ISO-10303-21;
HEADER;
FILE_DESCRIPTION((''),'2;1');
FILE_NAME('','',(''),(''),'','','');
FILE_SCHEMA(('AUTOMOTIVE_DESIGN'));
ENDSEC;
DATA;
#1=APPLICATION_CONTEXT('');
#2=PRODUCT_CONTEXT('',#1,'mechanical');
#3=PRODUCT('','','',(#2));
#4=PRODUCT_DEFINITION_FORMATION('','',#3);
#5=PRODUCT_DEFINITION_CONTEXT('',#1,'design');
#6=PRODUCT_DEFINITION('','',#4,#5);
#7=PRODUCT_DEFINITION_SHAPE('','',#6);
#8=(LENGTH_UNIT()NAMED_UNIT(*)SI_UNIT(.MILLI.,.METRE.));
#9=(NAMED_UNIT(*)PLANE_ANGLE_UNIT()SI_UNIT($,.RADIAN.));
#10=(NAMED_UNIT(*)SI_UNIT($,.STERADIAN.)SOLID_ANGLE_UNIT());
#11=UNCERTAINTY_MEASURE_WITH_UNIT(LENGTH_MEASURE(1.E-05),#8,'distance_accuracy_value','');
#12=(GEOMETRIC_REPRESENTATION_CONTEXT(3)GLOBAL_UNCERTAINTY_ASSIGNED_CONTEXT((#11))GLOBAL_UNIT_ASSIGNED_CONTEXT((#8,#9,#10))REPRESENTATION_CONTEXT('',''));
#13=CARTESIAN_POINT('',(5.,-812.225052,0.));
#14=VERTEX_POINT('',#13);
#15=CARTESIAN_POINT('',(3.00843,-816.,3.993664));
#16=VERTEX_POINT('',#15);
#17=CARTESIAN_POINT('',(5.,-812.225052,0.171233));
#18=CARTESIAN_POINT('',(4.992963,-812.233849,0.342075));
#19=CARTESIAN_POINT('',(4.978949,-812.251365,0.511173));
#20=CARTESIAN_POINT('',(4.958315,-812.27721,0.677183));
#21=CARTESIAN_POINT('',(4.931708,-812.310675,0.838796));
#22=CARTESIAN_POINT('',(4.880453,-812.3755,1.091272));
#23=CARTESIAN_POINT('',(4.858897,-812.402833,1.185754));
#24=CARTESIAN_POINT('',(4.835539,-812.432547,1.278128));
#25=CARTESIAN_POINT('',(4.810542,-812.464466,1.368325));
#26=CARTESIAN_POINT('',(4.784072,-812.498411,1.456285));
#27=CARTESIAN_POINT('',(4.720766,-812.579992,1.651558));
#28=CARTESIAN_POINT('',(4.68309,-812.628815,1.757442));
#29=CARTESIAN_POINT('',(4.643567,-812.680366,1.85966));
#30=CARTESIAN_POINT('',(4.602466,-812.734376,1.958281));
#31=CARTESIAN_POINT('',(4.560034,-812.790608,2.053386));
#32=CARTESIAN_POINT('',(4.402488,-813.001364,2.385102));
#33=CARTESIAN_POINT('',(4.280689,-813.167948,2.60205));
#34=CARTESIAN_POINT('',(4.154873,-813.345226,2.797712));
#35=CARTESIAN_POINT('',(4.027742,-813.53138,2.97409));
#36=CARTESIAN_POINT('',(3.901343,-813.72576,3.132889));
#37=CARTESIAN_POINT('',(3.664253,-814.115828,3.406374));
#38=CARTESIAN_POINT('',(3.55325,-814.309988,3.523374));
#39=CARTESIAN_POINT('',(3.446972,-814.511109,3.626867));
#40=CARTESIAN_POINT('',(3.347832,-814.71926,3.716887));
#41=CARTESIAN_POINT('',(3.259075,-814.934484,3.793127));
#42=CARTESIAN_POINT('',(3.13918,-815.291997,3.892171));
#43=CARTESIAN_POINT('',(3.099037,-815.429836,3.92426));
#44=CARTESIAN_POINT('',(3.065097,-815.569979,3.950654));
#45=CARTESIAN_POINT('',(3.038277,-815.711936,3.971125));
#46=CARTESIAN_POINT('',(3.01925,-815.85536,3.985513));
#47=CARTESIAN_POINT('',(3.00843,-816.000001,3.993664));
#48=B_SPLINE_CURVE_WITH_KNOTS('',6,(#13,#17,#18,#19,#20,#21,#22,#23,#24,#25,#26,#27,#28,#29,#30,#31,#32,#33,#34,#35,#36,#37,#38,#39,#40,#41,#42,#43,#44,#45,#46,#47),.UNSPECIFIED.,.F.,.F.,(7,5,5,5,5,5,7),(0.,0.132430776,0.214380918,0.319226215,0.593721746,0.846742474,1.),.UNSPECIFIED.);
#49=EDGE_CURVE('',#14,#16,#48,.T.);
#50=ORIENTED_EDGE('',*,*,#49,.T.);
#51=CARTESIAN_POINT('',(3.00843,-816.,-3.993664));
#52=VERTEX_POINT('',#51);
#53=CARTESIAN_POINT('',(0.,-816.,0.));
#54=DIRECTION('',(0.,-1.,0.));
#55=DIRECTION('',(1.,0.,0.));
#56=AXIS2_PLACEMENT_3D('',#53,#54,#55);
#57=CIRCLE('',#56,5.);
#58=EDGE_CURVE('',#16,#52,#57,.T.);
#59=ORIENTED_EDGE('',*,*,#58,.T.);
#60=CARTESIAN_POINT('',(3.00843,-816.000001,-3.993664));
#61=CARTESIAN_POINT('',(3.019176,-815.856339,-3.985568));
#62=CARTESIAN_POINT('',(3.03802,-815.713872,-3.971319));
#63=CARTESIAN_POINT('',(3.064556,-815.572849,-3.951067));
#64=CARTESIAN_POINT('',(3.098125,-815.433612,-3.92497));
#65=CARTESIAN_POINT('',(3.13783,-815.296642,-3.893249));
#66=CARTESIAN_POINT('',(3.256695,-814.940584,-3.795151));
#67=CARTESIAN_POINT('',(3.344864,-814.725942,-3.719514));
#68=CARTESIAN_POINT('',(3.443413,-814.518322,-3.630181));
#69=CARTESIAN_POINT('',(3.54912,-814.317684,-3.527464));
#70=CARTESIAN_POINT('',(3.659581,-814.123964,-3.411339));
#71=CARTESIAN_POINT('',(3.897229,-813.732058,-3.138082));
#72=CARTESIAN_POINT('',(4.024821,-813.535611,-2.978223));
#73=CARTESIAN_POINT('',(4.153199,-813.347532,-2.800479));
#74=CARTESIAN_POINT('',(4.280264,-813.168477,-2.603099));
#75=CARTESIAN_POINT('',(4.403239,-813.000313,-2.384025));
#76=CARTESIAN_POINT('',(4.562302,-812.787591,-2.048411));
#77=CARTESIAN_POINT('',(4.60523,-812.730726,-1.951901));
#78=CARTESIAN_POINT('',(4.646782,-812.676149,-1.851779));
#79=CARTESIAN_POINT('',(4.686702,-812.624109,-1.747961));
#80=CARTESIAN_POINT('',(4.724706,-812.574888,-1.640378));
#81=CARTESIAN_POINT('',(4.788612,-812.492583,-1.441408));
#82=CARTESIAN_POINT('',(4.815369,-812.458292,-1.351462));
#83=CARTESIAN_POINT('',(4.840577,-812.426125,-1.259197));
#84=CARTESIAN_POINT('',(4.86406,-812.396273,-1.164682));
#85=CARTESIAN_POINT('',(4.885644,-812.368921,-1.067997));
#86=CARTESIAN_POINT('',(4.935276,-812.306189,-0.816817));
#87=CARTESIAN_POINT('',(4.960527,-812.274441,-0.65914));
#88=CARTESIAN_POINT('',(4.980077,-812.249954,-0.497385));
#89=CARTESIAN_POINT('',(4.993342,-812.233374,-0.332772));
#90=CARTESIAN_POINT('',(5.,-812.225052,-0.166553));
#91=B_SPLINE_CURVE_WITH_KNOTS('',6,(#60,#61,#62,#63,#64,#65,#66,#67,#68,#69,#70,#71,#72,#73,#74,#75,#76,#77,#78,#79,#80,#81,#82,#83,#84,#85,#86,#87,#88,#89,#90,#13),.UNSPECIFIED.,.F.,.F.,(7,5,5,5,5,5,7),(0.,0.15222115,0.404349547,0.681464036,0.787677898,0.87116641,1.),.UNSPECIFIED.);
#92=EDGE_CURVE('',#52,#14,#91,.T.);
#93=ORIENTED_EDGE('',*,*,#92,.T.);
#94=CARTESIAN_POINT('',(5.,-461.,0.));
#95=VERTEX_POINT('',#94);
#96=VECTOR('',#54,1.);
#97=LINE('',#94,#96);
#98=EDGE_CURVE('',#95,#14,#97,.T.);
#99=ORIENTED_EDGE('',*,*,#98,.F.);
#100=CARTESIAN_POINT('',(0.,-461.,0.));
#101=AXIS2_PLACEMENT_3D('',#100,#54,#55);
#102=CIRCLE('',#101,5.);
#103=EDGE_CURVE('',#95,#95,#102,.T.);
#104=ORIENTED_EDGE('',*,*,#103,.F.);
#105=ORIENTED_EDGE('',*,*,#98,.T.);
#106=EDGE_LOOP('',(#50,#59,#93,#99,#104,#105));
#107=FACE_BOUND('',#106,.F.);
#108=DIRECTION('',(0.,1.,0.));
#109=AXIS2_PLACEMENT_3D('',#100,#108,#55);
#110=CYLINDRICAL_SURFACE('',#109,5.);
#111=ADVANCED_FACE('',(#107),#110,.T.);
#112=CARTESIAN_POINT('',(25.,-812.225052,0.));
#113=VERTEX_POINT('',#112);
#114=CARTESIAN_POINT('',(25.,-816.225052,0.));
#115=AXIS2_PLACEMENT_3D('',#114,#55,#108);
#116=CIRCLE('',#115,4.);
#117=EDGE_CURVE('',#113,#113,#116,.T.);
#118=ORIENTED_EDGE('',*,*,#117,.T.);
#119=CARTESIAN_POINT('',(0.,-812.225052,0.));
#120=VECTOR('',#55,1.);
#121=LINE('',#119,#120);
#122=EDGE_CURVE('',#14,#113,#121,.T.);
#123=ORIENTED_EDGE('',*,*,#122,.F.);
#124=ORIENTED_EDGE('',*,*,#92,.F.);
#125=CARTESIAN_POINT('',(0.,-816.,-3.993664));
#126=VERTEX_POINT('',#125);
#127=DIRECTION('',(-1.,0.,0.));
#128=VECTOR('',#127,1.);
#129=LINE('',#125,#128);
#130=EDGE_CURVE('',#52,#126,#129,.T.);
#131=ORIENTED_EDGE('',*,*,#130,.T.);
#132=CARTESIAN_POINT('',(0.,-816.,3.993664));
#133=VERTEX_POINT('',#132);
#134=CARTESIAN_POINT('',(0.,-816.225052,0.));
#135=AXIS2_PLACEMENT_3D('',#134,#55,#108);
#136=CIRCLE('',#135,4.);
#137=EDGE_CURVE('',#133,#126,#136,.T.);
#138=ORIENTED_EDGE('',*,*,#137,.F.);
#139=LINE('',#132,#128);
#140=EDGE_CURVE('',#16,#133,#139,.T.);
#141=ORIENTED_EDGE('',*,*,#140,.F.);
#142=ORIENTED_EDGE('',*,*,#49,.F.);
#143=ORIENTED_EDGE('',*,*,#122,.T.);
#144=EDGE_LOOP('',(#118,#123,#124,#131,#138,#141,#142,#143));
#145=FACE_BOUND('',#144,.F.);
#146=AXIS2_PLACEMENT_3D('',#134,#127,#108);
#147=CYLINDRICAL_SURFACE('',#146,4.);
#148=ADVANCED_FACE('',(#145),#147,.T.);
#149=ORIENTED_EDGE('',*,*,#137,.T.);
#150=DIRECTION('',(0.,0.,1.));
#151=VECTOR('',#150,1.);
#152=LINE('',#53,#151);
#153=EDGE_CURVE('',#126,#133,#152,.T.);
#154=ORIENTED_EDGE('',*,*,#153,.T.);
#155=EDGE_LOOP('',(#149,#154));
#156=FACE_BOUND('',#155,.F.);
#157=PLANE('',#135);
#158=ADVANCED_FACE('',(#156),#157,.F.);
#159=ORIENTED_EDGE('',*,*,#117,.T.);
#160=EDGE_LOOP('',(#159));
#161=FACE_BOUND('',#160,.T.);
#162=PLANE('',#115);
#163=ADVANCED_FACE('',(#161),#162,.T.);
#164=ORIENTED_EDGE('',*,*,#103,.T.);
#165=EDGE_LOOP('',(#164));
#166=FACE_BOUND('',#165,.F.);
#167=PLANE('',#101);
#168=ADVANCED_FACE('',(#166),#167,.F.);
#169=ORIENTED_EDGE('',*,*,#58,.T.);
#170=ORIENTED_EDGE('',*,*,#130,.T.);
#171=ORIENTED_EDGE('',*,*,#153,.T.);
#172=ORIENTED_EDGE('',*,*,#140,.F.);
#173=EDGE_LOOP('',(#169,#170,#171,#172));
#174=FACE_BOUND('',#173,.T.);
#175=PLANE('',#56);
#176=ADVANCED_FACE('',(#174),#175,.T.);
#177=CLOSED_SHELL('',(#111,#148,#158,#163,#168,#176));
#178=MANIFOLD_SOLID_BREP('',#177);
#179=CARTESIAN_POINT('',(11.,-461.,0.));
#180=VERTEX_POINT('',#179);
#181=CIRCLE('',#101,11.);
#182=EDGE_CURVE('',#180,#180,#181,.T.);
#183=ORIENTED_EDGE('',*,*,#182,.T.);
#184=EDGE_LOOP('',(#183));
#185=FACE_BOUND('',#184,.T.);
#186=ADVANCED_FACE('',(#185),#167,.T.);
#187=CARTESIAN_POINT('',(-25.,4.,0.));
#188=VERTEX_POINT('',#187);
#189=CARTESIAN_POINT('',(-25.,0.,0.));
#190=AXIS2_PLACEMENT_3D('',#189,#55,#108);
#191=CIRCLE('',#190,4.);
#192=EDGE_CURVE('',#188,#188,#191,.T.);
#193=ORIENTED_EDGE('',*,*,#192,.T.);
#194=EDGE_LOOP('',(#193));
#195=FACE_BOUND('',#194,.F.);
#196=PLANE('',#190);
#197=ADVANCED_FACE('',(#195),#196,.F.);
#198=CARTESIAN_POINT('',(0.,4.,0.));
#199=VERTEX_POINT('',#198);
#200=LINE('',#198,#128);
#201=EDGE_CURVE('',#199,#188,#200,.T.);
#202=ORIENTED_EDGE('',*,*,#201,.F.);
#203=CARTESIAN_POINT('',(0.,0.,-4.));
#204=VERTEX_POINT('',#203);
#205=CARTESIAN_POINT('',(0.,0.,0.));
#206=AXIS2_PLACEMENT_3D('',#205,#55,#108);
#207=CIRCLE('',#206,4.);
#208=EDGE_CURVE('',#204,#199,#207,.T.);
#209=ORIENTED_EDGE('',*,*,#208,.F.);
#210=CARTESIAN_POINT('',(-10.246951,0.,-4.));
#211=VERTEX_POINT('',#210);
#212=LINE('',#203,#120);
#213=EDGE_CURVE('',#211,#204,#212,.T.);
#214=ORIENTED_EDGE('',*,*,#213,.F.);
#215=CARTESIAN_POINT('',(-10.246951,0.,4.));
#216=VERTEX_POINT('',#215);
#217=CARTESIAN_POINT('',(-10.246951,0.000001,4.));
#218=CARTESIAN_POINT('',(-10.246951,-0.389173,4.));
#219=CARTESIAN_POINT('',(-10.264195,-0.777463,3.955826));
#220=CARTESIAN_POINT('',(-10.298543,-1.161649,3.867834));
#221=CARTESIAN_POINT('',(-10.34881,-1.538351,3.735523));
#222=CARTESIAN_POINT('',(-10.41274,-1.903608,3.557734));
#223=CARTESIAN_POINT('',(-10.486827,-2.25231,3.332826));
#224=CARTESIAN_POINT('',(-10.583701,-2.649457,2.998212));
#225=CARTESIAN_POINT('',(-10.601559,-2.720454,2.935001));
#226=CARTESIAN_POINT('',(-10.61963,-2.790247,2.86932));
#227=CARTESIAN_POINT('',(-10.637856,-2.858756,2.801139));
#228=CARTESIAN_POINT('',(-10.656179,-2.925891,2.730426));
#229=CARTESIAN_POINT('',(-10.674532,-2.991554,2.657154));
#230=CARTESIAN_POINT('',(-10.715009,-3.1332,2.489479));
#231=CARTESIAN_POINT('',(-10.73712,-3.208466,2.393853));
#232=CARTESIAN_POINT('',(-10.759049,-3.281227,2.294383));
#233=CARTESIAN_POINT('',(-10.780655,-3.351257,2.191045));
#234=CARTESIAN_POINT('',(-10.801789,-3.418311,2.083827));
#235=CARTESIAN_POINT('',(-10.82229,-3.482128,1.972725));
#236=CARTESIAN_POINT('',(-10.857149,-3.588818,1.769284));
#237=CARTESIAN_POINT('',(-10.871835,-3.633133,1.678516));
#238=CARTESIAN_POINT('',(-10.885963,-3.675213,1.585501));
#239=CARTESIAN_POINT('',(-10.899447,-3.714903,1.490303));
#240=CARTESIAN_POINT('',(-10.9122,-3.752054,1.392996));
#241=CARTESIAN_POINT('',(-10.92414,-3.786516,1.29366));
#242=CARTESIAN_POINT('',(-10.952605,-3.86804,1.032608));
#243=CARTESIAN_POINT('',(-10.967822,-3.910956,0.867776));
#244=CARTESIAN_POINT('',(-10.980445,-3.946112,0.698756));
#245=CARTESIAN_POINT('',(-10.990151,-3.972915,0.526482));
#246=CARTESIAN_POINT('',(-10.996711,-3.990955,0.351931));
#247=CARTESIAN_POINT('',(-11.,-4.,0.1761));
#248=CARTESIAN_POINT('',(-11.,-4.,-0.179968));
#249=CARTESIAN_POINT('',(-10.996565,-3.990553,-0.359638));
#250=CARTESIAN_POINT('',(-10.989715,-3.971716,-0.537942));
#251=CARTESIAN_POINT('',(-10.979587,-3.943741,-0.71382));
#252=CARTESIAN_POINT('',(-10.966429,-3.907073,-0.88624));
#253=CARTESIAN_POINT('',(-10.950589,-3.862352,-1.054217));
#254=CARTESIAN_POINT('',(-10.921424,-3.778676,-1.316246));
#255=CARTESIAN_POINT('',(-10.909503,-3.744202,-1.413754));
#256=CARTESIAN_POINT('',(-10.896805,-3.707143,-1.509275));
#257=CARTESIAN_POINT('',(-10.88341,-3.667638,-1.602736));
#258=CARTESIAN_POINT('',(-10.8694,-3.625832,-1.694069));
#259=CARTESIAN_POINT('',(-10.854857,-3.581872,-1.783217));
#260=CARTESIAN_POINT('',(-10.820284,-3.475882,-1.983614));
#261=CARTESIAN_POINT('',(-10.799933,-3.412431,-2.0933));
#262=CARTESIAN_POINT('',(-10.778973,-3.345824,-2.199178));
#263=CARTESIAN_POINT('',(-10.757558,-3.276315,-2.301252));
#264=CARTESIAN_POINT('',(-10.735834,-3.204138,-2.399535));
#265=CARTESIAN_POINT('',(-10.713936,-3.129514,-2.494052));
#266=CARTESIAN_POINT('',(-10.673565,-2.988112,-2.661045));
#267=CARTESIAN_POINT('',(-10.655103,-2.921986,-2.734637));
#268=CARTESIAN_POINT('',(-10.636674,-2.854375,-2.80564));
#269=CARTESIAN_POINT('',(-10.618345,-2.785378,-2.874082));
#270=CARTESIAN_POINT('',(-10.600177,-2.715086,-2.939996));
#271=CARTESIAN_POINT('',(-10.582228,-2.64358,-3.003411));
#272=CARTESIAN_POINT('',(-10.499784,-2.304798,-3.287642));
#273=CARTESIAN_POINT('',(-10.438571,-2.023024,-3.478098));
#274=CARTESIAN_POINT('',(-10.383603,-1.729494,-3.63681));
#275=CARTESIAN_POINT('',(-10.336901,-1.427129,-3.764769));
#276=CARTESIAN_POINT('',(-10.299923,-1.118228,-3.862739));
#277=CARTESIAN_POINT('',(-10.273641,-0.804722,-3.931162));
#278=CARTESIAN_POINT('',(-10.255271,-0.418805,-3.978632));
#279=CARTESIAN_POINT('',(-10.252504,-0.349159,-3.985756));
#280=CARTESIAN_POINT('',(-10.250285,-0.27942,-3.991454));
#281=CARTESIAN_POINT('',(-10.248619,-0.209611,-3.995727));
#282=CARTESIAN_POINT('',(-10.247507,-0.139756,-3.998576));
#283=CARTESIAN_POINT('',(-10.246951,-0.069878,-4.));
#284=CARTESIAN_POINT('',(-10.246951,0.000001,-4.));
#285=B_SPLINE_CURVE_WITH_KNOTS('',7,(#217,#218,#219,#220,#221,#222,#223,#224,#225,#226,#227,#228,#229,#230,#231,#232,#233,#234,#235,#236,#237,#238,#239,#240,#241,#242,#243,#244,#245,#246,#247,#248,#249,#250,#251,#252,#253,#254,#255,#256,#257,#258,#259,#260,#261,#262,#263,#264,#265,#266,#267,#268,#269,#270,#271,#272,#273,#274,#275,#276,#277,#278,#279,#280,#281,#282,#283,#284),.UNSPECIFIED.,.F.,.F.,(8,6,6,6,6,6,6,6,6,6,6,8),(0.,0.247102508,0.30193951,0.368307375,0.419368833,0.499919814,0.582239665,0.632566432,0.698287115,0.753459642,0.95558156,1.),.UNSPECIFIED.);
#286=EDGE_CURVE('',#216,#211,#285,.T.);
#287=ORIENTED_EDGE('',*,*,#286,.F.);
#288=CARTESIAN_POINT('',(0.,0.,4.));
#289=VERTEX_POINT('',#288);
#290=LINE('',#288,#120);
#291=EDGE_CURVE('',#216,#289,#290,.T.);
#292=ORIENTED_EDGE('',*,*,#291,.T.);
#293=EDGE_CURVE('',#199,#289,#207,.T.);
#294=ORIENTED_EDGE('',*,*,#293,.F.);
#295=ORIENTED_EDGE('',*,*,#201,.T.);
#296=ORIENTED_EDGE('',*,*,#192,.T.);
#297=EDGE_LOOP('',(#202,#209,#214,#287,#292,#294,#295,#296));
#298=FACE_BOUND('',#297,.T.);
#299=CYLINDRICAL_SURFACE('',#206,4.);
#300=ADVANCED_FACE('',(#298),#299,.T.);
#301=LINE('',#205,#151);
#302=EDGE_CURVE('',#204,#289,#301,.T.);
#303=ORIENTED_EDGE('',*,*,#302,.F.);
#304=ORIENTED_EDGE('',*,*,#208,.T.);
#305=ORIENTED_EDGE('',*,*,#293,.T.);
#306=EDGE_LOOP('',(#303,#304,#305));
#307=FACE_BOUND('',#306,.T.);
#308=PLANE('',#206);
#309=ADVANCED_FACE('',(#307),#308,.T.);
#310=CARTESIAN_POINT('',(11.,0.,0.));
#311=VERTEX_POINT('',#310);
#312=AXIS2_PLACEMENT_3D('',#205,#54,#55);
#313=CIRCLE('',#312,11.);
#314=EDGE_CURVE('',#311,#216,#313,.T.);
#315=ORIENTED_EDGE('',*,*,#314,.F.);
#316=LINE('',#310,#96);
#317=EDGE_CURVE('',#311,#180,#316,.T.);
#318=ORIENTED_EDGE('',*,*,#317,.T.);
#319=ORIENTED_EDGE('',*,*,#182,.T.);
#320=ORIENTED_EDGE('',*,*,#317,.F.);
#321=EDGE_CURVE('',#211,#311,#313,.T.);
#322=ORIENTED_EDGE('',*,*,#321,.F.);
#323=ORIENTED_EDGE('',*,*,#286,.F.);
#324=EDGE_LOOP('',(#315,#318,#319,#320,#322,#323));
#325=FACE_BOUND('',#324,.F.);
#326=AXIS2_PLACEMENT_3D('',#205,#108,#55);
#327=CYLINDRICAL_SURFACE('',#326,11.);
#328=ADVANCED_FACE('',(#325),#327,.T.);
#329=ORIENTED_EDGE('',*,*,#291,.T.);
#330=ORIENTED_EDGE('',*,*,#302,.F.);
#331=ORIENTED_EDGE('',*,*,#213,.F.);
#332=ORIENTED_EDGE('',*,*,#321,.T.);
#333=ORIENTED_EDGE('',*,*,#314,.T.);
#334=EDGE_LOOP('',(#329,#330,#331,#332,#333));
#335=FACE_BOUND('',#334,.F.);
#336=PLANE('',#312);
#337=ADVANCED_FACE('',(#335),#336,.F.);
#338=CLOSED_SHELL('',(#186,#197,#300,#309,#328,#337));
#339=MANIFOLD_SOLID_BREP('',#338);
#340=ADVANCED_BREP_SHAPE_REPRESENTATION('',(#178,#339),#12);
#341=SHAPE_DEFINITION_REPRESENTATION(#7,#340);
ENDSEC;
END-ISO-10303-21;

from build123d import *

# Parameters (mm, degrees)
F0_R     = 11
F1_DEPTH = 461
F2_R     = 5
F3_DEPTH = 355
F4_R     = 4
F5_DEPTH = 25
F6_R     = 4
F7_DEPTH = 25


with BuildPart() as f1:
    # F0 (on Front) → F1 (new body)
    with BuildSketch(Plane.XZ):
        Circle(F0_R)
    extrude(amount=F1_DEPTH)

    # F6 (on Right) → F7 (join)
    with BuildSketch(Plane.YZ):
        Circle(F6_R)
    extrude(amount=-F7_DEPTH)


with BuildPart() as f3:
    # F2 (on face) → F3 (new body)
    with BuildSketch(Plane.XZ.offset(461)):
        Circle(F2_R)
    extrude(amount=F3_DEPTH)

    # F4 (on Right) → F5 (join)
    with BuildSketch(Plane.YZ):
        with Locations((-816.225052, 0)):
            Circle(F4_R)
    extrude(amount=F5_DEPTH)


solid = Compound([f1.part, f3.part])
